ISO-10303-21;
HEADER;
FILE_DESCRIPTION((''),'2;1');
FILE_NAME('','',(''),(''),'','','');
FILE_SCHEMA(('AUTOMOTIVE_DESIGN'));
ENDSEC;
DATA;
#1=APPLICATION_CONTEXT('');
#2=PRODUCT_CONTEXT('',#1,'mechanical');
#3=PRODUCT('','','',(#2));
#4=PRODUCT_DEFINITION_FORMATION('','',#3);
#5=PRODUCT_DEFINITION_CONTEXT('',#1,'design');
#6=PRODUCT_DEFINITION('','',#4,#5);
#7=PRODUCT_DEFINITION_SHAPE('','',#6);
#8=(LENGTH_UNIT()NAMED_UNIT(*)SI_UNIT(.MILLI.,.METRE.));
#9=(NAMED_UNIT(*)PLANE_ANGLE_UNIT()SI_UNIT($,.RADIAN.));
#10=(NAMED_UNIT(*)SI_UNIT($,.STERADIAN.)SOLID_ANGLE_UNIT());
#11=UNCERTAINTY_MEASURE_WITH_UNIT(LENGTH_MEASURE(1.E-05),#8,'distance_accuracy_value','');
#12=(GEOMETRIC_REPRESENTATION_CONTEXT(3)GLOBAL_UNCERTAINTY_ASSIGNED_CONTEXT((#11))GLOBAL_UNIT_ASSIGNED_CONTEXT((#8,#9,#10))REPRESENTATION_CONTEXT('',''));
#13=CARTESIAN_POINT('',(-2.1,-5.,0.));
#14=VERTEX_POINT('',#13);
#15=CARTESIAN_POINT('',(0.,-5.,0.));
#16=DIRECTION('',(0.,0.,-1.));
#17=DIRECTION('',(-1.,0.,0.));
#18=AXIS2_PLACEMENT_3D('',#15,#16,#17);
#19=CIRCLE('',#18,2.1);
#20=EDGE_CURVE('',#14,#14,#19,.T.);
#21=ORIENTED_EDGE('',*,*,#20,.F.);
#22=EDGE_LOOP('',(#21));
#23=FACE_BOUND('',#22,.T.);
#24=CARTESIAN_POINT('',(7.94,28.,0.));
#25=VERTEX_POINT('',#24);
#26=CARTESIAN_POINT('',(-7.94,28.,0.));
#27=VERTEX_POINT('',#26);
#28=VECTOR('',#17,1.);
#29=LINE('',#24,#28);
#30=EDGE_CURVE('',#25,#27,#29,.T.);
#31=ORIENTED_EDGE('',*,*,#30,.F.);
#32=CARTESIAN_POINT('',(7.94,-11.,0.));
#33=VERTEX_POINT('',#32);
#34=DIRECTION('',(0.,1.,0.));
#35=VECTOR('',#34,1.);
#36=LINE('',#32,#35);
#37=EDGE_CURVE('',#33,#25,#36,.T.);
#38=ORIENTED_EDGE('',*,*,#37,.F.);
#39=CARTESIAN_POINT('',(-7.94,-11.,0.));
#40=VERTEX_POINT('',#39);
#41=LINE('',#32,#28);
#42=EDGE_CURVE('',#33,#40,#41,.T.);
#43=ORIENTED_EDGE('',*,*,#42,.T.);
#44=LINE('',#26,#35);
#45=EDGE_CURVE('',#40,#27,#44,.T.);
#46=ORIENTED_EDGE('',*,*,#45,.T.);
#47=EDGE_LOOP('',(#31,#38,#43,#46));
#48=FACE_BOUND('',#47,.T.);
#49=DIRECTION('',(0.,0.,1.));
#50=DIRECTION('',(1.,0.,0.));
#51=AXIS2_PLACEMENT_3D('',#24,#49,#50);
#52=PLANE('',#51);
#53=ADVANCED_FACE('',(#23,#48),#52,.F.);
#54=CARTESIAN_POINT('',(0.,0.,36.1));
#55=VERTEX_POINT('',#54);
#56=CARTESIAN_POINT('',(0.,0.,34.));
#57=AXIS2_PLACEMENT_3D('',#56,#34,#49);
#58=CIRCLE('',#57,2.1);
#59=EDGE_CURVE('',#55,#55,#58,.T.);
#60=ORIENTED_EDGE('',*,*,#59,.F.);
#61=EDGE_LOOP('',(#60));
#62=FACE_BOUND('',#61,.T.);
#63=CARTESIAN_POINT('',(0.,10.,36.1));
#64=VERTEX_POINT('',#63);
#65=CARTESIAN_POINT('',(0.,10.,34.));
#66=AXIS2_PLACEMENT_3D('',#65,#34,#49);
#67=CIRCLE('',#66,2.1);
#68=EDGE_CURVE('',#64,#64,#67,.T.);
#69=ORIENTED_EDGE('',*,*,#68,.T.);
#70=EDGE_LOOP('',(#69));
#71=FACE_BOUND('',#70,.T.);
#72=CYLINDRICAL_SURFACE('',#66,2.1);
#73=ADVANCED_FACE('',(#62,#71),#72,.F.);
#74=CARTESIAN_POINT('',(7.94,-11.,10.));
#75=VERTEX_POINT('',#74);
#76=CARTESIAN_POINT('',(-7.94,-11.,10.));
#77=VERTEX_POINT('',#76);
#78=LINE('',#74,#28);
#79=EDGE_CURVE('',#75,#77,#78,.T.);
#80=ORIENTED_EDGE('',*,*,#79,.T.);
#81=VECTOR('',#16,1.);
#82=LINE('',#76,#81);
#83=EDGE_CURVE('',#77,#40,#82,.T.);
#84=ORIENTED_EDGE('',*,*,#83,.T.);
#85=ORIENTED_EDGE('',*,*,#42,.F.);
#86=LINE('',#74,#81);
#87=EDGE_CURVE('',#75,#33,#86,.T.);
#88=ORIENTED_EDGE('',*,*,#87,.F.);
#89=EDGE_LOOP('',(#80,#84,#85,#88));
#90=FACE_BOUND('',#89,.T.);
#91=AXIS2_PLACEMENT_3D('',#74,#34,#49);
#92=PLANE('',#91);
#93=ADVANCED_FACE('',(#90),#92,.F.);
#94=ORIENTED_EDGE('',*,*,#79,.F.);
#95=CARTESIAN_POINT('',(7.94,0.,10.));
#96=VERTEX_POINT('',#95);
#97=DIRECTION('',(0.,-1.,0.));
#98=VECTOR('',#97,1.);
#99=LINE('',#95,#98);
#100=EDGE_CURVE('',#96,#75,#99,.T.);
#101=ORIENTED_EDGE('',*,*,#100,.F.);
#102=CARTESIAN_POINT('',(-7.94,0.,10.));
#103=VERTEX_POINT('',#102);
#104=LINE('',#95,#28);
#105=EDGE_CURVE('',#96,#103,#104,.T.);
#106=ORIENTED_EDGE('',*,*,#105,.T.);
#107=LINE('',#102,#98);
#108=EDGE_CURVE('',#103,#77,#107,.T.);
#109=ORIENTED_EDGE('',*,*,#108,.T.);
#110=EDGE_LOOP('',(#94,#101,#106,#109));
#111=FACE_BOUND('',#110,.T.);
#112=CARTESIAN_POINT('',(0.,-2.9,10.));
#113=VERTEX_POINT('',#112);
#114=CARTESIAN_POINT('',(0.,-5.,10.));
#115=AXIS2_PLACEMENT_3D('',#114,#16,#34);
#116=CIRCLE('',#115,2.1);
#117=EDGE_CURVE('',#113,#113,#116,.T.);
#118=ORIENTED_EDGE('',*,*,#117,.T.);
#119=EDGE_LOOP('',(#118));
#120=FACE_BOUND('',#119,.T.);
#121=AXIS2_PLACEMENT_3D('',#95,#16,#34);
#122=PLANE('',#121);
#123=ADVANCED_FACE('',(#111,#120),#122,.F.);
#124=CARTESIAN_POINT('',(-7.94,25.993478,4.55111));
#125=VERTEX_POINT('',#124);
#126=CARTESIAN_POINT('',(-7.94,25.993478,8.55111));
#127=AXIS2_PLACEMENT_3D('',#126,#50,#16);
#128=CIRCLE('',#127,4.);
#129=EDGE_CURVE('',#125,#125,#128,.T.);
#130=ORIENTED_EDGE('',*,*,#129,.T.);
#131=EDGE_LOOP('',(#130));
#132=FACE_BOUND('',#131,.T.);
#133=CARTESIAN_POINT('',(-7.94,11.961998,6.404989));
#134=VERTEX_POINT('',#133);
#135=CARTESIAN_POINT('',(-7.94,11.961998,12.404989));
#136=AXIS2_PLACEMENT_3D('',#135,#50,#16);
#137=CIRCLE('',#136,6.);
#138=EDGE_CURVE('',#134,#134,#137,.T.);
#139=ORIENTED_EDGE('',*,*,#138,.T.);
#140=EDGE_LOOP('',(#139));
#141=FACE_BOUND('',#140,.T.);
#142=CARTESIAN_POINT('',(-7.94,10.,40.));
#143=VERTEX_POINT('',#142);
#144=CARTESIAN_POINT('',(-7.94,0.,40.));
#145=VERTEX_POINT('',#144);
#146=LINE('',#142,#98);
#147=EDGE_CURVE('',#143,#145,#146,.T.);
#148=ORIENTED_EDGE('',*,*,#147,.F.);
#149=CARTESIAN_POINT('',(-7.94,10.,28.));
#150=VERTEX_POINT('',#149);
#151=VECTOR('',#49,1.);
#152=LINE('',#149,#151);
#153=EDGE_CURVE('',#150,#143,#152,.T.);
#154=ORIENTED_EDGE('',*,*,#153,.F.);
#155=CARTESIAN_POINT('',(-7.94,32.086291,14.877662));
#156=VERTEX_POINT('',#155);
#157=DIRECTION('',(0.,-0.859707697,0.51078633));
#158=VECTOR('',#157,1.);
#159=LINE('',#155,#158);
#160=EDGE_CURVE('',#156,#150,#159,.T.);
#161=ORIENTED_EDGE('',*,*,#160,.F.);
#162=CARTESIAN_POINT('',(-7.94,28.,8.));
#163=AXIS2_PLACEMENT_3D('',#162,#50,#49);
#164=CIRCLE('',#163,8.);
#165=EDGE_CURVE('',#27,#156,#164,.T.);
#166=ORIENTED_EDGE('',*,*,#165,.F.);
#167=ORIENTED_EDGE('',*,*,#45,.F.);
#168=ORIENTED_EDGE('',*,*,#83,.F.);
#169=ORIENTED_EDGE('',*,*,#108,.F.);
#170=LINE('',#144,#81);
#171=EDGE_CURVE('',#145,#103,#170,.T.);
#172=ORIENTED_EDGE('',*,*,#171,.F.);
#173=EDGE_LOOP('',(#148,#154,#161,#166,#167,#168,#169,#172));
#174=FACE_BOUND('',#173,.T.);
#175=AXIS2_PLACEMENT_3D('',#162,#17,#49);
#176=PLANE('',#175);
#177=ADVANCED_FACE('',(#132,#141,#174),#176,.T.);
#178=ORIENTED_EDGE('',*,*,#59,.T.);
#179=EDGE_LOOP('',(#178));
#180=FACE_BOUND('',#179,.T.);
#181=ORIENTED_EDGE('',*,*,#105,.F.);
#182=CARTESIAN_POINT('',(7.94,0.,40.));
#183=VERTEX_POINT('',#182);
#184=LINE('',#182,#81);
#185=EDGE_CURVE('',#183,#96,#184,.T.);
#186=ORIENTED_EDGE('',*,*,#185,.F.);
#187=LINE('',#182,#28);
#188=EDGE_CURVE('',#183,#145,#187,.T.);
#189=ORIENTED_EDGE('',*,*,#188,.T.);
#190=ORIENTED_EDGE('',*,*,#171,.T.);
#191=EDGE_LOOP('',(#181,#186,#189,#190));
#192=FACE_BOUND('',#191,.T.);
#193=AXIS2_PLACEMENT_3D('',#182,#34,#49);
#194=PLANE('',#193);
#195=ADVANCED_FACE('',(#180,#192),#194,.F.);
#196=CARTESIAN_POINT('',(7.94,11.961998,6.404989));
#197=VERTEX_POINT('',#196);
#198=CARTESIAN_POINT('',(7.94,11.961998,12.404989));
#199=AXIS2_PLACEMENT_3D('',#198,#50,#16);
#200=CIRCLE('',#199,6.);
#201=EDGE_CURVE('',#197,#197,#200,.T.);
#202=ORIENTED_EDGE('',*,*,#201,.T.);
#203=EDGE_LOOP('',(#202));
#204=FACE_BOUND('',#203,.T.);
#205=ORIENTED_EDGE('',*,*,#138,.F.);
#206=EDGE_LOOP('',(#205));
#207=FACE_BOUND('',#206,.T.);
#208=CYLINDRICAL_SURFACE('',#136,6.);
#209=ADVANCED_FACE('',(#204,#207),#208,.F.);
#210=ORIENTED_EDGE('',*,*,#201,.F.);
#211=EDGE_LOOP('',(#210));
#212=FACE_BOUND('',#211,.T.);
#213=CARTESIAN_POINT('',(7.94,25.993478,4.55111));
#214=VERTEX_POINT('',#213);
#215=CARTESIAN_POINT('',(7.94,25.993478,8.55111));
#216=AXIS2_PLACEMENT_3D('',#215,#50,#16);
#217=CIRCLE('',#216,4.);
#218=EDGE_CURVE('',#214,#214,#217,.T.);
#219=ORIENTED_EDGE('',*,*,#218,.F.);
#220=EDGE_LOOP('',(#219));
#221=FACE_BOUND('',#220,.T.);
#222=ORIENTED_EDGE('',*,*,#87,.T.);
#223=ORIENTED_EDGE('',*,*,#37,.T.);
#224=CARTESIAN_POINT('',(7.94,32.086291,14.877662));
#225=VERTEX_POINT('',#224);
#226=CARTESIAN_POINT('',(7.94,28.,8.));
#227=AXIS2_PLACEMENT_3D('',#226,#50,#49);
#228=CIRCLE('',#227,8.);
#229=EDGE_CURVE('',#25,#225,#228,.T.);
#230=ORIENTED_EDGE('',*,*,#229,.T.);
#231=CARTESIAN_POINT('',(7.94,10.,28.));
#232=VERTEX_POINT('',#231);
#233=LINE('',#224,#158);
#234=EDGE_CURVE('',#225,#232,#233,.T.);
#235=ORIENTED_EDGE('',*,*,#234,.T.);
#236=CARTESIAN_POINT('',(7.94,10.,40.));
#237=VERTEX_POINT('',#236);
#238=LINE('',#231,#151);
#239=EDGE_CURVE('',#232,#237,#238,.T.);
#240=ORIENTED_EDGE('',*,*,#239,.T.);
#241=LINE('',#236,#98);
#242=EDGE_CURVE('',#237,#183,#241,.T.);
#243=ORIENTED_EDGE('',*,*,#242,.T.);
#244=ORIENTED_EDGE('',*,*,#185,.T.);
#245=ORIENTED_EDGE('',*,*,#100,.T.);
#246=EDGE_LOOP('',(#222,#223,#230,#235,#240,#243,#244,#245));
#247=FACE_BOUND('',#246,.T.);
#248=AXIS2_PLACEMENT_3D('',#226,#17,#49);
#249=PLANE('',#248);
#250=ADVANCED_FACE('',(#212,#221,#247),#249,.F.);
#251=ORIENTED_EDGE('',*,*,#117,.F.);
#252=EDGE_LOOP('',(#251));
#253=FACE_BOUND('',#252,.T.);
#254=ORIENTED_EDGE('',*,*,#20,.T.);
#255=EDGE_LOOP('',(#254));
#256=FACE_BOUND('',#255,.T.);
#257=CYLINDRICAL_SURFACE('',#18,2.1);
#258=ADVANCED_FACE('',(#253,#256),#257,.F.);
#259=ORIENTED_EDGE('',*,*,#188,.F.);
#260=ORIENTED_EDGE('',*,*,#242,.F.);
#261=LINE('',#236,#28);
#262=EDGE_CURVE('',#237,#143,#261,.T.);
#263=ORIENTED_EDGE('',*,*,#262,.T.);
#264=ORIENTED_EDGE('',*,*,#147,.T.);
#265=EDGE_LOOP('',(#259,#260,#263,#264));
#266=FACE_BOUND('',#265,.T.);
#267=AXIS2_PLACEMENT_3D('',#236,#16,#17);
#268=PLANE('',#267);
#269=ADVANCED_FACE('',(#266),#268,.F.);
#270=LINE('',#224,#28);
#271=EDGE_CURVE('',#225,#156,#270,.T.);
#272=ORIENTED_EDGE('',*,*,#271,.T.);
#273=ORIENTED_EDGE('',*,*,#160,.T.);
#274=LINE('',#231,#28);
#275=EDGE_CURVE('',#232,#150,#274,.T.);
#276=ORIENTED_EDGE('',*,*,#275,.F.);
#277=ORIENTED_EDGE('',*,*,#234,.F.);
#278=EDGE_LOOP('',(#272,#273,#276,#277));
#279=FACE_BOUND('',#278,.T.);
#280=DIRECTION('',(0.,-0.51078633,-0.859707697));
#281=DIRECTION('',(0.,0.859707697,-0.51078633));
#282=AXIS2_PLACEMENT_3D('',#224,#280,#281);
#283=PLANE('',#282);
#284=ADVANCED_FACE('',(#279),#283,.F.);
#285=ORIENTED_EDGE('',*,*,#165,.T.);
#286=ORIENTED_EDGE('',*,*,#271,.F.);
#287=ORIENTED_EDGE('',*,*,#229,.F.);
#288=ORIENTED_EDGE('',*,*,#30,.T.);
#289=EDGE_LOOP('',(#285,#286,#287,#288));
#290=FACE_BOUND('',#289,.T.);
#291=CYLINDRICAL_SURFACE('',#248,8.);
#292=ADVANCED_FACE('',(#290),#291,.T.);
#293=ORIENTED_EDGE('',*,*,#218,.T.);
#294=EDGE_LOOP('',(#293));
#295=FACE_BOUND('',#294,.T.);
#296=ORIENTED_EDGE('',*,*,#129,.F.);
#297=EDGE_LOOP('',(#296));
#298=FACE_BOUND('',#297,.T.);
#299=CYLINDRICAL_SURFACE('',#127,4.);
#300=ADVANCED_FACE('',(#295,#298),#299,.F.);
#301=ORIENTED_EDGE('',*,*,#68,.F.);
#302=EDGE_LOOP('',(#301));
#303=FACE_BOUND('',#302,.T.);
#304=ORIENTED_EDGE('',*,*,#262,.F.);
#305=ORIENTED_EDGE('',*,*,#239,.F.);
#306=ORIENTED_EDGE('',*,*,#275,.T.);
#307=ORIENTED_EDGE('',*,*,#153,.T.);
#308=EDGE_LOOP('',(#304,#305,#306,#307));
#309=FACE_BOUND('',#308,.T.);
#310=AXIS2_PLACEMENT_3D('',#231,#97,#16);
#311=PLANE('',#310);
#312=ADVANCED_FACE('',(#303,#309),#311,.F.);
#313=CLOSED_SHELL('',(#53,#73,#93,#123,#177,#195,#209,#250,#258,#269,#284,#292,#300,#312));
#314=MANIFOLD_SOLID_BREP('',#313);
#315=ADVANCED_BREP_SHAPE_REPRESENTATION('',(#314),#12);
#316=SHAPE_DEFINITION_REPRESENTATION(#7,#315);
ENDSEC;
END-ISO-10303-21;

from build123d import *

# Parameters (mm, degrees)
RESSALTO_EXTRUS_O1_DEPTH                       = 7.94
BROCA_DE_ROSQUEAR_PARA_TARRAXA_DE_M5X0_8_D     = 4.2
BROCA_DE_ROSQUEAR_PARA_TARRAXA_DE_M5X0_8_DEPTH = 20
BROCA_DE_ROSQUEAR_PARA_TARRAXA_DE_M5X0_8_TIP   = 1.2618073
BROCA_DE_ROSQUEAR_PARA_TARRAXA_DE_M5_2_D       = 4.2
BROCA_DE_ROSQUEAR_PARA_TARRAXA_DE_M5_2_DEPTH   = 20
BROCA_DE_ROSQUEAR_PARA_TARRAXA_DE_M5_2_TIP     = 1.2618073
BROCA_DE_ROSQUEAR_PARA_TARRAXA_DE_M5_3_D       = 4.2
BROCA_DE_ROSQUEAR_PARA_TARRAXA_DE_M5_3_DEPTH   = 20
BROCA_DE_ROSQUEAR_PARA_TARRAXA_DE_M5_3_TIP     = 1.2618073
BROCA_DE_ROSQUEAR_PARA_TARRAXA_DE_M5_4_D       = 4.2
BROCA_DE_ROSQUEAR_PARA_TARRAXA_DE_M5_4_DEPTH   = 20
BROCA_DE_ROSQUEAR_PARA_TARRAXA_DE_M5_4_TIP     = 1.2618073
ESBO_O10_R                                     = 6
ESBO_O10_R_2                                   = 4
CORTE_EXTRUS_O1_DEPTH                          = 57.108594707


with BuildPart() as part:
    # Esboço1 → Ressalto-extrusão1 (new, symmetric)
    with BuildSketch(Plane(origin=(0, 0, 0), x_dir=(0, 0, -1), z_dir=(1, 0, 0))):
        with BuildLine():
            Line((-40, 0), (-10, 0))
            Line((-10, 0), (-10, -11))
            Line((-10, -11), (0, -11))
            Line((0, -11), (0, 0))
            Line((0, 0), (0, 28))
            ThreePointArc((0, 28), (-5.881190502, 35.714314377), (-14.877661578, 32.086290643))
            Line((-14.877661578, 32.086290643), (-28, 10))
            Line((-28, 10), (-40, 10))
            Line((-40, 10), (-40, 0))
        make_face()
    extrude(amount=RESSALTO_EXTRUS_O1_DEPTH, both=True)

    # Broca de rosquear para tarraxa de M5x0.8
    with Locations(Plane(origin=(33.065, 10, -11.460196829), x_dir=(1, 0, 0), z_dir=(0, 1, 0))):
        with Locations((33.06, -45.460196829), (-33.065, -45.460196829)):
            Hole(BROCA_DE_ROSQUEAR_PARA_TARRAXA_DE_M5X0_8_D / 2, depth=BROCA_DE_ROSQUEAR_PARA_TARRAXA_DE_M5X0_8_DEPTH)
            with Locations((0, 0, -(BROCA_DE_ROSQUEAR_PARA_TARRAXA_DE_M5X0_8_DEPTH + BROCA_DE_ROSQUEAR_PARA_TARRAXA_DE_M5X0_8_TIP / 2))):  # 118° drill point
                Cone(0, BROCA_DE_ROSQUEAR_PARA_TARRAXA_DE_M5X0_8_D / 2, BROCA_DE_ROSQUEAR_PARA_TARRAXA_DE_M5X0_8_TIP, mode=Mode.SUBTRACT)

    # Broca de rosquear para tarraxa de M5 2
    with Locations(Plane(origin=(-33.06, 10, -11.460196829), x_dir=(1, 0, 0), z_dir=(0, 1, 0))):
        with Locations((33.06, -45.460196829), (-33.065, -45.460196829)):
            Hole(BROCA_DE_ROSQUEAR_PARA_TARRAXA_DE_M5_2_D / 2, depth=BROCA_DE_ROSQUEAR_PARA_TARRAXA_DE_M5_2_DEPTH)
            with Locations((0, 0, -(BROCA_DE_ROSQUEAR_PARA_TARRAXA_DE_M5_2_DEPTH + BROCA_DE_ROSQUEAR_PARA_TARRAXA_DE_M5_2_TIP / 2))):  # 118° drill point
                Cone(0, BROCA_DE_ROSQUEAR_PARA_TARRAXA_DE_M5_2_D / 2, BROCA_DE_ROSQUEAR_PARA_TARRAXA_DE_M5_2_TIP, mode=Mode.SUBTRACT)

    # Broca de rosquear para tarraxa de M5 3
    with Locations(Plane(origin=(33.065, -48.751665499, 0), x_dir=(-1, 0, 0), z_dir=(0, 0, -1))):
        with Locations((-33.06, 43.751665499), (33.065, 43.751665499)):
            Hole(BROCA_DE_ROSQUEAR_PARA_TARRAXA_DE_M5_3_D / 2, depth=BROCA_DE_ROSQUEAR_PARA_TARRAXA_DE_M5_3_DEPTH)
            with Locations((0, 0, -(BROCA_DE_ROSQUEAR_PARA_TARRAXA_DE_M5_3_DEPTH + BROCA_DE_ROSQUEAR_PARA_TARRAXA_DE_M5_3_TIP / 2))):  # 118° drill point
                Cone(0, BROCA_DE_ROSQUEAR_PARA_TARRAXA_DE_M5_3_D / 2, BROCA_DE_ROSQUEAR_PARA_TARRAXA_DE_M5_3_TIP, mode=Mode.SUBTRACT)

    # Broca de rosquear para tarraxa de M5 4
    with Locations(Plane(origin=(-33.06, -48.751665499, 0), x_dir=(-1, 0, 0), z_dir=(0, 0, -1))):
        with Locations((-33.06, 43.751665499), (33.065, 43.751665499)):
            Hole(BROCA_DE_ROSQUEAR_PARA_TARRAXA_DE_M5_4_D / 2, depth=BROCA_DE_ROSQUEAR_PARA_TARRAXA_DE_M5_4_DEPTH)
            with Locations((0, 0, -(BROCA_DE_ROSQUEAR_PARA_TARRAXA_DE_M5_4_DEPTH + BROCA_DE_ROSQUEAR_PARA_TARRAXA_DE_M5_4_TIP / 2))):  # 118° drill point
                Cone(0, BROCA_DE_ROSQUEAR_PARA_TARRAXA_DE_M5_4_D / 2, BROCA_DE_ROSQUEAR_PARA_TARRAXA_DE_M5_4_TIP, mode=Mode.SUBTRACT)

    # Esboço10 → Corte-extrusão1 (cut, through all)
    with BuildSketch(Plane(origin=(7.94, 0, 0), x_dir=(0, 0, -1), z_dir=(1, 0, 0))):
        with Locations((-12.404989074, 11.961998196)):
            Circle(ESBO_O10_R)
        with Locations((-8.551110249, 25.993478071)):
            Circle(ESBO_O10_R_2)
    extrude(amount=-CORTE_EXTRUS_O1_DEPTH, mode=Mode.SUBTRACT)


solid = part.part
